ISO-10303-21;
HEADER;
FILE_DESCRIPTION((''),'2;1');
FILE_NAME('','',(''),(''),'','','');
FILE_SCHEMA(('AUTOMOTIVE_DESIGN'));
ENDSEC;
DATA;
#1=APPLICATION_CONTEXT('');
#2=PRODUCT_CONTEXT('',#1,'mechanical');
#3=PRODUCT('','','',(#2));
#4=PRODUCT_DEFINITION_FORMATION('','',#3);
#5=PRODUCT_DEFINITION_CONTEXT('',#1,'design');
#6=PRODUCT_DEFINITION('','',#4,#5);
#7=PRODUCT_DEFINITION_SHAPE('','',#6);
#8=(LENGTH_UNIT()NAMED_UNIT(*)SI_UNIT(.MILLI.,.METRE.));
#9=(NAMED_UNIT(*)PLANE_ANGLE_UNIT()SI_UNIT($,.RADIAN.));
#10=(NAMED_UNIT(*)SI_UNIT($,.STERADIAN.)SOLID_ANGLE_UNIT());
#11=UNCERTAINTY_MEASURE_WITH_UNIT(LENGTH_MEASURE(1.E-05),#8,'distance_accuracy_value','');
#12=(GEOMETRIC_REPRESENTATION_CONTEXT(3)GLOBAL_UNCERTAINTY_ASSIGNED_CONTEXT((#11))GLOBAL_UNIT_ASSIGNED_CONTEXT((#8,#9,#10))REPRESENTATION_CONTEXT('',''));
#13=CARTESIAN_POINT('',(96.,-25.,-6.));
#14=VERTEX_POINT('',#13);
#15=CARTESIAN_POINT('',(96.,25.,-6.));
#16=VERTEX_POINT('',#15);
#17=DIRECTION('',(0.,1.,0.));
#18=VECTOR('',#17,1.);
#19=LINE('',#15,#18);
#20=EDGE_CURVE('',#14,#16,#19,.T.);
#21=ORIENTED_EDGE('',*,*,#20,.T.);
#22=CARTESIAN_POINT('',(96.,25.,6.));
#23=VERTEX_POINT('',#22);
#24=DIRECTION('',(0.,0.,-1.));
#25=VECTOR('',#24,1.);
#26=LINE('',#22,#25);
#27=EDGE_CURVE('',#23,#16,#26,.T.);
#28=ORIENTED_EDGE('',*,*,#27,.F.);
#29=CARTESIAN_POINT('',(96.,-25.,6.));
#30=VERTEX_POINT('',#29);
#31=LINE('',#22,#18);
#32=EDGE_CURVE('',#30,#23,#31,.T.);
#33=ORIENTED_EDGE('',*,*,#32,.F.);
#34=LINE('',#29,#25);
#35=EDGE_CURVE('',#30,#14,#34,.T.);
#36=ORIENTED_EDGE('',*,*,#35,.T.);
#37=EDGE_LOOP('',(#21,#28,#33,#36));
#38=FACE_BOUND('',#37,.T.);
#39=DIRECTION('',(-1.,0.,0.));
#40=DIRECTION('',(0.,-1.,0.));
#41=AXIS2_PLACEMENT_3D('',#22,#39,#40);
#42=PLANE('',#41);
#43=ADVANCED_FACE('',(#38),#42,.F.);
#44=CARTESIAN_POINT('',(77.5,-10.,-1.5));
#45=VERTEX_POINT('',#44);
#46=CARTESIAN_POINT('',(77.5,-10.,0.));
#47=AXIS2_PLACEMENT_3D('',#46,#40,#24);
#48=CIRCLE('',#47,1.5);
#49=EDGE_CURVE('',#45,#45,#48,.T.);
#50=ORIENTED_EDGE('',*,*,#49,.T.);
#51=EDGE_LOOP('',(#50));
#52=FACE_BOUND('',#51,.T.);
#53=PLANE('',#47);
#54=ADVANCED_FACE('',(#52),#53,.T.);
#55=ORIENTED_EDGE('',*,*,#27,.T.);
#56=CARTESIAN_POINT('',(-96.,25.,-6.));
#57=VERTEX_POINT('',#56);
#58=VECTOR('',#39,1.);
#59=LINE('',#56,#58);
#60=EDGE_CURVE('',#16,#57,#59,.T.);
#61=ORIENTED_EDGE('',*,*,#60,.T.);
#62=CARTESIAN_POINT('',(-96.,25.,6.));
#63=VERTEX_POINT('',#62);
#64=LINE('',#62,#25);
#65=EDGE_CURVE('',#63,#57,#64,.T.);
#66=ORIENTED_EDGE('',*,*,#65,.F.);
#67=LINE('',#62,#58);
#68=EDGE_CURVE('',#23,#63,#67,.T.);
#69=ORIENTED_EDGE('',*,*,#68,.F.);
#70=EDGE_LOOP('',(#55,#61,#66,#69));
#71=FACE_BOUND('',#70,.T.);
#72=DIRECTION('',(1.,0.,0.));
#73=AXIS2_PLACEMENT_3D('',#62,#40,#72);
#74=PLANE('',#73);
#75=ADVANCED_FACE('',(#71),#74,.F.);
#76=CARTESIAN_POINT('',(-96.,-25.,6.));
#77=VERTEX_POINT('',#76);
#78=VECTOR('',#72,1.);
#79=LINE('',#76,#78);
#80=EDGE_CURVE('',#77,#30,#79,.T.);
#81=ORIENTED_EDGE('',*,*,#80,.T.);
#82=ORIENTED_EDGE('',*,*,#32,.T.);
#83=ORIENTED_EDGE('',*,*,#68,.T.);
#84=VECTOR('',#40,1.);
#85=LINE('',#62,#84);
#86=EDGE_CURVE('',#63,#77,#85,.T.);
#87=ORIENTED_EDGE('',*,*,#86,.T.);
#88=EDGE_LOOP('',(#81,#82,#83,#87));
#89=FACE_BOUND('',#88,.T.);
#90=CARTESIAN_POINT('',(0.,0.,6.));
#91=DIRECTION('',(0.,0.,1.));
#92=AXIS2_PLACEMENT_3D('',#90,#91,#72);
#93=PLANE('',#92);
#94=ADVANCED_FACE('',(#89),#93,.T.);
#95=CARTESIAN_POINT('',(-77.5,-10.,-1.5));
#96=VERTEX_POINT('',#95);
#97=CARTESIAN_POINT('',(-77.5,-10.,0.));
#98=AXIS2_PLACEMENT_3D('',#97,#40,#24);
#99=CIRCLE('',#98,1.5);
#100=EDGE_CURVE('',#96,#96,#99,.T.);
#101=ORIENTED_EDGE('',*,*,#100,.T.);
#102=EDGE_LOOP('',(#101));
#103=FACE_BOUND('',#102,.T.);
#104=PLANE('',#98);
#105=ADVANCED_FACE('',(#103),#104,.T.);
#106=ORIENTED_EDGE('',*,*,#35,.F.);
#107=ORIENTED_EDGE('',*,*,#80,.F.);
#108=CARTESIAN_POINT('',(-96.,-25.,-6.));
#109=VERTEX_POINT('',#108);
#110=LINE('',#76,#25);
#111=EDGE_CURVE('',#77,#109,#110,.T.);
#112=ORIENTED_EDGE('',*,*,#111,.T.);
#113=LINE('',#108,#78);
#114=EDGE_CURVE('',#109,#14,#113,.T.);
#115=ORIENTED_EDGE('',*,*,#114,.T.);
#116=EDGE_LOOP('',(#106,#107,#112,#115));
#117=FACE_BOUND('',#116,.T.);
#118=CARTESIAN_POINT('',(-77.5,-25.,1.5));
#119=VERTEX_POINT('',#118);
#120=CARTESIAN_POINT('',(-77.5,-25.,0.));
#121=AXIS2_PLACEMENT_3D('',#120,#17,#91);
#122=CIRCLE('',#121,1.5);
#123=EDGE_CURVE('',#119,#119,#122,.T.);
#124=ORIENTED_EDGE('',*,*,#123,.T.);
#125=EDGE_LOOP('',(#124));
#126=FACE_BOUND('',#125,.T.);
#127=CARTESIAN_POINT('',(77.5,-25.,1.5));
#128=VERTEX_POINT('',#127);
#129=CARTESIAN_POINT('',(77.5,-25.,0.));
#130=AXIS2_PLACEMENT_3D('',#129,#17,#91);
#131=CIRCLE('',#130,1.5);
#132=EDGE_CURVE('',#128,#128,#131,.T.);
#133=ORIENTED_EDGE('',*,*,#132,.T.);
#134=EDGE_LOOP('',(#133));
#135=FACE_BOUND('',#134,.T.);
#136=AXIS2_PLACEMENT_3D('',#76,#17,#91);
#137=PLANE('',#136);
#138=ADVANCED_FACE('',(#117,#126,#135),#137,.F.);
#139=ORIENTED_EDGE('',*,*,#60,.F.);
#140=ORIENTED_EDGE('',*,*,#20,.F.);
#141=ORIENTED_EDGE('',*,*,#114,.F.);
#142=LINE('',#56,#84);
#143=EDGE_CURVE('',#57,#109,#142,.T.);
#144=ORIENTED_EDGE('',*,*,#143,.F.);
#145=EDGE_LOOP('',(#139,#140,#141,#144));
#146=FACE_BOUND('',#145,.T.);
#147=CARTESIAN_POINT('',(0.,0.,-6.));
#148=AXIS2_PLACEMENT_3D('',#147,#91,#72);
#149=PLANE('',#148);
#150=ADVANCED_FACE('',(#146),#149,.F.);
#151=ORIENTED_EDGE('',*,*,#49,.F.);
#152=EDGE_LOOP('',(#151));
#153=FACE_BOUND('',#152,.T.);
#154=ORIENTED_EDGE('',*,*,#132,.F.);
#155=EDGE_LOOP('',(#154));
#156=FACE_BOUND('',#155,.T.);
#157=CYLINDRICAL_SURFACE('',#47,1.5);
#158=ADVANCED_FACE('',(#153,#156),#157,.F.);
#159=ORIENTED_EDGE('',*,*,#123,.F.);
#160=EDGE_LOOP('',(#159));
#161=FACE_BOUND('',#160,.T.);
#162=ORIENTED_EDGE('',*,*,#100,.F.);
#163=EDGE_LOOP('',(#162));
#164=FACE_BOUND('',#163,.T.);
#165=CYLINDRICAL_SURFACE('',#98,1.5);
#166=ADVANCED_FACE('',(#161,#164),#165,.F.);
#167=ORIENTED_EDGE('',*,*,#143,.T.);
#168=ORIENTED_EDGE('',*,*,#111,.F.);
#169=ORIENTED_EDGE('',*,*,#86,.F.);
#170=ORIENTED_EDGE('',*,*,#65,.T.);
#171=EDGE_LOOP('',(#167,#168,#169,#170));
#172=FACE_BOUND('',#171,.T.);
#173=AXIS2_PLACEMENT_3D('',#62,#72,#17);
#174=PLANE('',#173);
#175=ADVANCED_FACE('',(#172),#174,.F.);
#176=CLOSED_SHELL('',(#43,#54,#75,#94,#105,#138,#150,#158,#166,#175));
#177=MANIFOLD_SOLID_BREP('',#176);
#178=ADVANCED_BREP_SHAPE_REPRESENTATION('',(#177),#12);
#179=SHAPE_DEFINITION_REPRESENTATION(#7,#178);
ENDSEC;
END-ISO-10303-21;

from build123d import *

# Parameters (mm, degrees)
ESBO_O1_W                = 192
ESBO_O1_H                = 50
RESSALTO_EXTRUS_O1_DEPTH = 6
ESBO_O2_R                = 1.5
CORTE_EXTRUS_O1_DEPTH    = 15


with BuildPart() as part:
    # Esboço1 → Ressalto-extrusão1 (new, symmetric)
    with BuildSketch(Plane.XY):
        Rectangle(ESBO_O1_W, ESBO_O1_H)
    extrude(amount=RESSALTO_EXTRUS_O1_DEPTH, both=True)

    # Esboço2 → Corte-extrusão1 (cut, symmetric)
    with BuildSketch(Plane(origin=(0, -25, 0), x_dir=(-1, 0, 0), z_dir=(0, -1, 0))):
        with Locations(Location((77.5, 0, 0), (0, 0, 90))):
            Circle(ESBO_O2_R)
        with Locations(Location((-77.5, 0, 0), (0, 0, 90))):
            Circle(ESBO_O2_R)
    extrude(amount=CORTE_EXTRUS_O1_DEPTH, both=True, mode=Mode.SUBTRACT)


solid = part.part
